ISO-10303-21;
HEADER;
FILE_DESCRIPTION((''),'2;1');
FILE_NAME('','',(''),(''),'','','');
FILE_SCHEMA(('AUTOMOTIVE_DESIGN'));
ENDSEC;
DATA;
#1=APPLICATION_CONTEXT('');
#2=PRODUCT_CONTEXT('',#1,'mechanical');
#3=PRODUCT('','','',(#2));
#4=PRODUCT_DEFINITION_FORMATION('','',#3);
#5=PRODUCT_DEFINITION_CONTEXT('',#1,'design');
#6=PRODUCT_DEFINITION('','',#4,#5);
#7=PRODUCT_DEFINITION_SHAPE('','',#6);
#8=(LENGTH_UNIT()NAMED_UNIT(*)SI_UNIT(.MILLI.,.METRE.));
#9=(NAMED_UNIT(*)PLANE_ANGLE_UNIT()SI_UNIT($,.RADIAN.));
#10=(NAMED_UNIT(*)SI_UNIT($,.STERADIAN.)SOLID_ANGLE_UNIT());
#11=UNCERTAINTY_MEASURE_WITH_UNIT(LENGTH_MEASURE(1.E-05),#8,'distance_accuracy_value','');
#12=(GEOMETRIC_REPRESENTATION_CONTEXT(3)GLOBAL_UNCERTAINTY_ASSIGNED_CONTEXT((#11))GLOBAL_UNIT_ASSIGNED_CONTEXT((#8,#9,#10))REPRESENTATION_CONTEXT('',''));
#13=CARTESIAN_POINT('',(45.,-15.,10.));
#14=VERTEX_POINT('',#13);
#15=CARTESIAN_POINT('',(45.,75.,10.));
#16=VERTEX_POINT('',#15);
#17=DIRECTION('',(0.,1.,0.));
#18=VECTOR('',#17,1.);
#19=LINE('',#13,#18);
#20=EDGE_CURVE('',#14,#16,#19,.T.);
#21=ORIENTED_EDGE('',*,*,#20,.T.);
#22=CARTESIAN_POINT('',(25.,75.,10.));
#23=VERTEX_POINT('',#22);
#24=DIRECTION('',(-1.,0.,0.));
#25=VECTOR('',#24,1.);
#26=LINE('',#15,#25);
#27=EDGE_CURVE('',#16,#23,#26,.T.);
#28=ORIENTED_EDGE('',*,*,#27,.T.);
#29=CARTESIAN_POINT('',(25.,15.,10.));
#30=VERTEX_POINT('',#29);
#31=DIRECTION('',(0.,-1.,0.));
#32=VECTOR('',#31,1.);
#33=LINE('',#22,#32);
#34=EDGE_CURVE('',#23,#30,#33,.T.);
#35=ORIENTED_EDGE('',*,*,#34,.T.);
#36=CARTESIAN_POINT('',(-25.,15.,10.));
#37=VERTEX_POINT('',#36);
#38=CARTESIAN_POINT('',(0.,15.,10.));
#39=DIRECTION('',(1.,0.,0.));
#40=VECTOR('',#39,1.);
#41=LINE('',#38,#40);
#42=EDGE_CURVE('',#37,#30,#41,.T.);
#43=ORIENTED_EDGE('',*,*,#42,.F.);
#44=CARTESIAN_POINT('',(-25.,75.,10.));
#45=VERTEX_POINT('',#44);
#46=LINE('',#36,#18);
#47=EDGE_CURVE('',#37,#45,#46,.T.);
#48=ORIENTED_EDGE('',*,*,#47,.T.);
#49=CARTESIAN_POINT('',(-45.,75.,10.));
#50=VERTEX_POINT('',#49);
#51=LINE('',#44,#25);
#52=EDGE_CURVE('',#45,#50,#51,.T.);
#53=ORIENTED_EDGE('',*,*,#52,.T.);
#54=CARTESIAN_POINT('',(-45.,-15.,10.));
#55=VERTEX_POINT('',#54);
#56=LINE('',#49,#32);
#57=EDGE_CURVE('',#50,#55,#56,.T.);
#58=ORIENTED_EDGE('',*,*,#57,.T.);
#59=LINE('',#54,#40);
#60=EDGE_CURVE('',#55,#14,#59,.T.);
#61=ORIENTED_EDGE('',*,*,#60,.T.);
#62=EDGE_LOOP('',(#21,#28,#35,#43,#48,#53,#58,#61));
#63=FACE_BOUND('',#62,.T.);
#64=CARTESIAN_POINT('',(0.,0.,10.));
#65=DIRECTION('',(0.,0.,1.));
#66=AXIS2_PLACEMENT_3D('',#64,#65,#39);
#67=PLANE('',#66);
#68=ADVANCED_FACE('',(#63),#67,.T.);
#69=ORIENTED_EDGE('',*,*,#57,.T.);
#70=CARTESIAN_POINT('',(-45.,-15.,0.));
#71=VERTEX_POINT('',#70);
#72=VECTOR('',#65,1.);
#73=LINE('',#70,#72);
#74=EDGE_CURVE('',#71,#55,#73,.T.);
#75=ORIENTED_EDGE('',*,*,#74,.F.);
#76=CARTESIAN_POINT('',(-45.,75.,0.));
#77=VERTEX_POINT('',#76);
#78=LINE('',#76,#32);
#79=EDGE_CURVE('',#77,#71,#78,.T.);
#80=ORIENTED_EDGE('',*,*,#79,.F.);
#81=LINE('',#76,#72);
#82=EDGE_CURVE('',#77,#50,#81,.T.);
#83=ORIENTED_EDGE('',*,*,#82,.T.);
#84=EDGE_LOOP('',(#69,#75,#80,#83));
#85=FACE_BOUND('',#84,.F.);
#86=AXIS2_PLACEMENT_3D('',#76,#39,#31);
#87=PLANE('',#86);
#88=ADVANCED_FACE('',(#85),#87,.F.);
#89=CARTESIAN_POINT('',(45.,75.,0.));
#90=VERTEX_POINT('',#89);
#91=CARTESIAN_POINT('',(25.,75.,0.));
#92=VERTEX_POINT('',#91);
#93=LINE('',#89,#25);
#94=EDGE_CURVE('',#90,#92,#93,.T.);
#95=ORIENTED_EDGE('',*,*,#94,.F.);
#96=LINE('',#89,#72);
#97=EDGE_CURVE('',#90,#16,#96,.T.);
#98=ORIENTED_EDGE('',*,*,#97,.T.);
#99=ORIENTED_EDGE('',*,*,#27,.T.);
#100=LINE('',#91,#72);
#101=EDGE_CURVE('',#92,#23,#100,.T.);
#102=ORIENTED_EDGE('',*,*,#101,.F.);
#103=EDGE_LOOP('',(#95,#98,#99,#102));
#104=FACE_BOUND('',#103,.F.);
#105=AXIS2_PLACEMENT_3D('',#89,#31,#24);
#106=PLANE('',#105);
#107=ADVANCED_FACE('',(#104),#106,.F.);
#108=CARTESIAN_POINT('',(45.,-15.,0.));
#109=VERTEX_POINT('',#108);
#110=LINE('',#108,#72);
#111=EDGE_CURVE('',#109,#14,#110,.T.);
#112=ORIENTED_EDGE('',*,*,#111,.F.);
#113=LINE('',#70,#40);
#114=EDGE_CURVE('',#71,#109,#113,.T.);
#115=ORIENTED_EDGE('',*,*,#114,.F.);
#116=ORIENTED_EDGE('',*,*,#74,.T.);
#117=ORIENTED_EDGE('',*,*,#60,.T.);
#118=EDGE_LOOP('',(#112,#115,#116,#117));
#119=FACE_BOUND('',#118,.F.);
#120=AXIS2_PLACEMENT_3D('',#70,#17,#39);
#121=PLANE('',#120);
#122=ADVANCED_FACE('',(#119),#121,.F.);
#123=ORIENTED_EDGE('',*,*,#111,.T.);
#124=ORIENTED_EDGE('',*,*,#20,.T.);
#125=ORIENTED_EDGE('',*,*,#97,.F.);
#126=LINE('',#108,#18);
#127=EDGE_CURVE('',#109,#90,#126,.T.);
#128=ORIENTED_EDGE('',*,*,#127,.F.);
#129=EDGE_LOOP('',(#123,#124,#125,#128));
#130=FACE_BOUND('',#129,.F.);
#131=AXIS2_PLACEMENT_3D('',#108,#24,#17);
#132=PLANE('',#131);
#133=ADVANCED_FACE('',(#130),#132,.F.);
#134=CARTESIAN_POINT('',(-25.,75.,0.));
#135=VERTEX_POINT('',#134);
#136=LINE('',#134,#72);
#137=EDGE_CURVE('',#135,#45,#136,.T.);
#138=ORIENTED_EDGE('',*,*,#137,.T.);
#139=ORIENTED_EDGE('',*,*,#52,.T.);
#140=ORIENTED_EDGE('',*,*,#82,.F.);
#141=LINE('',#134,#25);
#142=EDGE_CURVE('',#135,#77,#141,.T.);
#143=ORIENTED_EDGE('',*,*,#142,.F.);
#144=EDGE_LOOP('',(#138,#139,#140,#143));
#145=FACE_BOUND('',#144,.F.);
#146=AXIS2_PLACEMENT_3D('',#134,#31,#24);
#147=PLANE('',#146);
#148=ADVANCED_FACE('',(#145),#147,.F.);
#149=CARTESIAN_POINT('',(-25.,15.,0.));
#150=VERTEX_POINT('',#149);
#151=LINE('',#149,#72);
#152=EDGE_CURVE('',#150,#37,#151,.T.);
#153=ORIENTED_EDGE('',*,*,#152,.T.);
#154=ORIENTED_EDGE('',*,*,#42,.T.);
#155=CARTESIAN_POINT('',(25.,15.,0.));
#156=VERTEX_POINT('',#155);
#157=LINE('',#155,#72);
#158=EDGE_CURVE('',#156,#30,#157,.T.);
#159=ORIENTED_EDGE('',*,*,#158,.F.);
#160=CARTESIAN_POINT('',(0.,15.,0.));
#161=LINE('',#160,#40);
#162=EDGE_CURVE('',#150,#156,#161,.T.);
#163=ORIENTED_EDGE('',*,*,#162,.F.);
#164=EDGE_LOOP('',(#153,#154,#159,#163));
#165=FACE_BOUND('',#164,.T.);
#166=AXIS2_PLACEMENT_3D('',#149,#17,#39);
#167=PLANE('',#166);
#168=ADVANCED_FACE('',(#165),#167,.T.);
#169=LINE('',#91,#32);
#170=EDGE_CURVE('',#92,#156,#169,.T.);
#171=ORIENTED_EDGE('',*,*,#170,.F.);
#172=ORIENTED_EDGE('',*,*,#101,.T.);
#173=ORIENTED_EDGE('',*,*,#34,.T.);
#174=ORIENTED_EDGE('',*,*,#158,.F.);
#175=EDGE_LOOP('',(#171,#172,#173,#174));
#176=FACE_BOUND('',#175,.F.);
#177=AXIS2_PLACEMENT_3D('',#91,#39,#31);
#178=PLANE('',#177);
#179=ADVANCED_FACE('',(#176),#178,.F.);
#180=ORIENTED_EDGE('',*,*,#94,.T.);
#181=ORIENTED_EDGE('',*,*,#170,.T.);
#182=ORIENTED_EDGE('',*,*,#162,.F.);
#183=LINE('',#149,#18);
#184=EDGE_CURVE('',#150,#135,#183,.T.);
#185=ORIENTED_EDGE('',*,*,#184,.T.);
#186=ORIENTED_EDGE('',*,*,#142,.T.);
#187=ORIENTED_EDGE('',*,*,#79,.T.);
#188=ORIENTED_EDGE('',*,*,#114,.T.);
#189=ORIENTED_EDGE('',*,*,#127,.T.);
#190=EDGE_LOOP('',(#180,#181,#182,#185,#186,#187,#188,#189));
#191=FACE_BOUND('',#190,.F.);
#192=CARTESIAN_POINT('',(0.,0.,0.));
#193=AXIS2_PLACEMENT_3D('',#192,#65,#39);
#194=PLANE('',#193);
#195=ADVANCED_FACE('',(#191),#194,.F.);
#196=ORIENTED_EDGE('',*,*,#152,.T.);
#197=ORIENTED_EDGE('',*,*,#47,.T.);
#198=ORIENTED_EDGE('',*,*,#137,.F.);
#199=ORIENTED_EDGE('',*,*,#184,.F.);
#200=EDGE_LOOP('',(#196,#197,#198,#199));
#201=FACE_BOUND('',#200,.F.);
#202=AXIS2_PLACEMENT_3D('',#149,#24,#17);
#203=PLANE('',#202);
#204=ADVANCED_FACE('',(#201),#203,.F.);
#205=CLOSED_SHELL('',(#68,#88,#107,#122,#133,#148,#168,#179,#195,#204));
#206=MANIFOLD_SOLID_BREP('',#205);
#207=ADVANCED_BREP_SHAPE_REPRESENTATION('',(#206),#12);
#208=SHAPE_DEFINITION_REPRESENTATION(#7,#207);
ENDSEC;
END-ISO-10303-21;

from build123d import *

# Parameters (mm, degrees)
F0_W     = 50
F0_H     = 30
F1_DEPTH = 10


with BuildPart() as f1:
    # F0 (on Top) → F1 (new body)
    with BuildSketch(Plane.XY):
        Rectangle(F0_W, F0_H)
        Polygon((-25, -15), (-25, 15), (-25, 75), (-45, 75), (-45, -15), align=None)
        Polygon((25, 75), (25, 15), (25, -15), (45, -15), (45, 75), align=None)
    extrude(amount=F1_DEPTH)


solid = f1.part
